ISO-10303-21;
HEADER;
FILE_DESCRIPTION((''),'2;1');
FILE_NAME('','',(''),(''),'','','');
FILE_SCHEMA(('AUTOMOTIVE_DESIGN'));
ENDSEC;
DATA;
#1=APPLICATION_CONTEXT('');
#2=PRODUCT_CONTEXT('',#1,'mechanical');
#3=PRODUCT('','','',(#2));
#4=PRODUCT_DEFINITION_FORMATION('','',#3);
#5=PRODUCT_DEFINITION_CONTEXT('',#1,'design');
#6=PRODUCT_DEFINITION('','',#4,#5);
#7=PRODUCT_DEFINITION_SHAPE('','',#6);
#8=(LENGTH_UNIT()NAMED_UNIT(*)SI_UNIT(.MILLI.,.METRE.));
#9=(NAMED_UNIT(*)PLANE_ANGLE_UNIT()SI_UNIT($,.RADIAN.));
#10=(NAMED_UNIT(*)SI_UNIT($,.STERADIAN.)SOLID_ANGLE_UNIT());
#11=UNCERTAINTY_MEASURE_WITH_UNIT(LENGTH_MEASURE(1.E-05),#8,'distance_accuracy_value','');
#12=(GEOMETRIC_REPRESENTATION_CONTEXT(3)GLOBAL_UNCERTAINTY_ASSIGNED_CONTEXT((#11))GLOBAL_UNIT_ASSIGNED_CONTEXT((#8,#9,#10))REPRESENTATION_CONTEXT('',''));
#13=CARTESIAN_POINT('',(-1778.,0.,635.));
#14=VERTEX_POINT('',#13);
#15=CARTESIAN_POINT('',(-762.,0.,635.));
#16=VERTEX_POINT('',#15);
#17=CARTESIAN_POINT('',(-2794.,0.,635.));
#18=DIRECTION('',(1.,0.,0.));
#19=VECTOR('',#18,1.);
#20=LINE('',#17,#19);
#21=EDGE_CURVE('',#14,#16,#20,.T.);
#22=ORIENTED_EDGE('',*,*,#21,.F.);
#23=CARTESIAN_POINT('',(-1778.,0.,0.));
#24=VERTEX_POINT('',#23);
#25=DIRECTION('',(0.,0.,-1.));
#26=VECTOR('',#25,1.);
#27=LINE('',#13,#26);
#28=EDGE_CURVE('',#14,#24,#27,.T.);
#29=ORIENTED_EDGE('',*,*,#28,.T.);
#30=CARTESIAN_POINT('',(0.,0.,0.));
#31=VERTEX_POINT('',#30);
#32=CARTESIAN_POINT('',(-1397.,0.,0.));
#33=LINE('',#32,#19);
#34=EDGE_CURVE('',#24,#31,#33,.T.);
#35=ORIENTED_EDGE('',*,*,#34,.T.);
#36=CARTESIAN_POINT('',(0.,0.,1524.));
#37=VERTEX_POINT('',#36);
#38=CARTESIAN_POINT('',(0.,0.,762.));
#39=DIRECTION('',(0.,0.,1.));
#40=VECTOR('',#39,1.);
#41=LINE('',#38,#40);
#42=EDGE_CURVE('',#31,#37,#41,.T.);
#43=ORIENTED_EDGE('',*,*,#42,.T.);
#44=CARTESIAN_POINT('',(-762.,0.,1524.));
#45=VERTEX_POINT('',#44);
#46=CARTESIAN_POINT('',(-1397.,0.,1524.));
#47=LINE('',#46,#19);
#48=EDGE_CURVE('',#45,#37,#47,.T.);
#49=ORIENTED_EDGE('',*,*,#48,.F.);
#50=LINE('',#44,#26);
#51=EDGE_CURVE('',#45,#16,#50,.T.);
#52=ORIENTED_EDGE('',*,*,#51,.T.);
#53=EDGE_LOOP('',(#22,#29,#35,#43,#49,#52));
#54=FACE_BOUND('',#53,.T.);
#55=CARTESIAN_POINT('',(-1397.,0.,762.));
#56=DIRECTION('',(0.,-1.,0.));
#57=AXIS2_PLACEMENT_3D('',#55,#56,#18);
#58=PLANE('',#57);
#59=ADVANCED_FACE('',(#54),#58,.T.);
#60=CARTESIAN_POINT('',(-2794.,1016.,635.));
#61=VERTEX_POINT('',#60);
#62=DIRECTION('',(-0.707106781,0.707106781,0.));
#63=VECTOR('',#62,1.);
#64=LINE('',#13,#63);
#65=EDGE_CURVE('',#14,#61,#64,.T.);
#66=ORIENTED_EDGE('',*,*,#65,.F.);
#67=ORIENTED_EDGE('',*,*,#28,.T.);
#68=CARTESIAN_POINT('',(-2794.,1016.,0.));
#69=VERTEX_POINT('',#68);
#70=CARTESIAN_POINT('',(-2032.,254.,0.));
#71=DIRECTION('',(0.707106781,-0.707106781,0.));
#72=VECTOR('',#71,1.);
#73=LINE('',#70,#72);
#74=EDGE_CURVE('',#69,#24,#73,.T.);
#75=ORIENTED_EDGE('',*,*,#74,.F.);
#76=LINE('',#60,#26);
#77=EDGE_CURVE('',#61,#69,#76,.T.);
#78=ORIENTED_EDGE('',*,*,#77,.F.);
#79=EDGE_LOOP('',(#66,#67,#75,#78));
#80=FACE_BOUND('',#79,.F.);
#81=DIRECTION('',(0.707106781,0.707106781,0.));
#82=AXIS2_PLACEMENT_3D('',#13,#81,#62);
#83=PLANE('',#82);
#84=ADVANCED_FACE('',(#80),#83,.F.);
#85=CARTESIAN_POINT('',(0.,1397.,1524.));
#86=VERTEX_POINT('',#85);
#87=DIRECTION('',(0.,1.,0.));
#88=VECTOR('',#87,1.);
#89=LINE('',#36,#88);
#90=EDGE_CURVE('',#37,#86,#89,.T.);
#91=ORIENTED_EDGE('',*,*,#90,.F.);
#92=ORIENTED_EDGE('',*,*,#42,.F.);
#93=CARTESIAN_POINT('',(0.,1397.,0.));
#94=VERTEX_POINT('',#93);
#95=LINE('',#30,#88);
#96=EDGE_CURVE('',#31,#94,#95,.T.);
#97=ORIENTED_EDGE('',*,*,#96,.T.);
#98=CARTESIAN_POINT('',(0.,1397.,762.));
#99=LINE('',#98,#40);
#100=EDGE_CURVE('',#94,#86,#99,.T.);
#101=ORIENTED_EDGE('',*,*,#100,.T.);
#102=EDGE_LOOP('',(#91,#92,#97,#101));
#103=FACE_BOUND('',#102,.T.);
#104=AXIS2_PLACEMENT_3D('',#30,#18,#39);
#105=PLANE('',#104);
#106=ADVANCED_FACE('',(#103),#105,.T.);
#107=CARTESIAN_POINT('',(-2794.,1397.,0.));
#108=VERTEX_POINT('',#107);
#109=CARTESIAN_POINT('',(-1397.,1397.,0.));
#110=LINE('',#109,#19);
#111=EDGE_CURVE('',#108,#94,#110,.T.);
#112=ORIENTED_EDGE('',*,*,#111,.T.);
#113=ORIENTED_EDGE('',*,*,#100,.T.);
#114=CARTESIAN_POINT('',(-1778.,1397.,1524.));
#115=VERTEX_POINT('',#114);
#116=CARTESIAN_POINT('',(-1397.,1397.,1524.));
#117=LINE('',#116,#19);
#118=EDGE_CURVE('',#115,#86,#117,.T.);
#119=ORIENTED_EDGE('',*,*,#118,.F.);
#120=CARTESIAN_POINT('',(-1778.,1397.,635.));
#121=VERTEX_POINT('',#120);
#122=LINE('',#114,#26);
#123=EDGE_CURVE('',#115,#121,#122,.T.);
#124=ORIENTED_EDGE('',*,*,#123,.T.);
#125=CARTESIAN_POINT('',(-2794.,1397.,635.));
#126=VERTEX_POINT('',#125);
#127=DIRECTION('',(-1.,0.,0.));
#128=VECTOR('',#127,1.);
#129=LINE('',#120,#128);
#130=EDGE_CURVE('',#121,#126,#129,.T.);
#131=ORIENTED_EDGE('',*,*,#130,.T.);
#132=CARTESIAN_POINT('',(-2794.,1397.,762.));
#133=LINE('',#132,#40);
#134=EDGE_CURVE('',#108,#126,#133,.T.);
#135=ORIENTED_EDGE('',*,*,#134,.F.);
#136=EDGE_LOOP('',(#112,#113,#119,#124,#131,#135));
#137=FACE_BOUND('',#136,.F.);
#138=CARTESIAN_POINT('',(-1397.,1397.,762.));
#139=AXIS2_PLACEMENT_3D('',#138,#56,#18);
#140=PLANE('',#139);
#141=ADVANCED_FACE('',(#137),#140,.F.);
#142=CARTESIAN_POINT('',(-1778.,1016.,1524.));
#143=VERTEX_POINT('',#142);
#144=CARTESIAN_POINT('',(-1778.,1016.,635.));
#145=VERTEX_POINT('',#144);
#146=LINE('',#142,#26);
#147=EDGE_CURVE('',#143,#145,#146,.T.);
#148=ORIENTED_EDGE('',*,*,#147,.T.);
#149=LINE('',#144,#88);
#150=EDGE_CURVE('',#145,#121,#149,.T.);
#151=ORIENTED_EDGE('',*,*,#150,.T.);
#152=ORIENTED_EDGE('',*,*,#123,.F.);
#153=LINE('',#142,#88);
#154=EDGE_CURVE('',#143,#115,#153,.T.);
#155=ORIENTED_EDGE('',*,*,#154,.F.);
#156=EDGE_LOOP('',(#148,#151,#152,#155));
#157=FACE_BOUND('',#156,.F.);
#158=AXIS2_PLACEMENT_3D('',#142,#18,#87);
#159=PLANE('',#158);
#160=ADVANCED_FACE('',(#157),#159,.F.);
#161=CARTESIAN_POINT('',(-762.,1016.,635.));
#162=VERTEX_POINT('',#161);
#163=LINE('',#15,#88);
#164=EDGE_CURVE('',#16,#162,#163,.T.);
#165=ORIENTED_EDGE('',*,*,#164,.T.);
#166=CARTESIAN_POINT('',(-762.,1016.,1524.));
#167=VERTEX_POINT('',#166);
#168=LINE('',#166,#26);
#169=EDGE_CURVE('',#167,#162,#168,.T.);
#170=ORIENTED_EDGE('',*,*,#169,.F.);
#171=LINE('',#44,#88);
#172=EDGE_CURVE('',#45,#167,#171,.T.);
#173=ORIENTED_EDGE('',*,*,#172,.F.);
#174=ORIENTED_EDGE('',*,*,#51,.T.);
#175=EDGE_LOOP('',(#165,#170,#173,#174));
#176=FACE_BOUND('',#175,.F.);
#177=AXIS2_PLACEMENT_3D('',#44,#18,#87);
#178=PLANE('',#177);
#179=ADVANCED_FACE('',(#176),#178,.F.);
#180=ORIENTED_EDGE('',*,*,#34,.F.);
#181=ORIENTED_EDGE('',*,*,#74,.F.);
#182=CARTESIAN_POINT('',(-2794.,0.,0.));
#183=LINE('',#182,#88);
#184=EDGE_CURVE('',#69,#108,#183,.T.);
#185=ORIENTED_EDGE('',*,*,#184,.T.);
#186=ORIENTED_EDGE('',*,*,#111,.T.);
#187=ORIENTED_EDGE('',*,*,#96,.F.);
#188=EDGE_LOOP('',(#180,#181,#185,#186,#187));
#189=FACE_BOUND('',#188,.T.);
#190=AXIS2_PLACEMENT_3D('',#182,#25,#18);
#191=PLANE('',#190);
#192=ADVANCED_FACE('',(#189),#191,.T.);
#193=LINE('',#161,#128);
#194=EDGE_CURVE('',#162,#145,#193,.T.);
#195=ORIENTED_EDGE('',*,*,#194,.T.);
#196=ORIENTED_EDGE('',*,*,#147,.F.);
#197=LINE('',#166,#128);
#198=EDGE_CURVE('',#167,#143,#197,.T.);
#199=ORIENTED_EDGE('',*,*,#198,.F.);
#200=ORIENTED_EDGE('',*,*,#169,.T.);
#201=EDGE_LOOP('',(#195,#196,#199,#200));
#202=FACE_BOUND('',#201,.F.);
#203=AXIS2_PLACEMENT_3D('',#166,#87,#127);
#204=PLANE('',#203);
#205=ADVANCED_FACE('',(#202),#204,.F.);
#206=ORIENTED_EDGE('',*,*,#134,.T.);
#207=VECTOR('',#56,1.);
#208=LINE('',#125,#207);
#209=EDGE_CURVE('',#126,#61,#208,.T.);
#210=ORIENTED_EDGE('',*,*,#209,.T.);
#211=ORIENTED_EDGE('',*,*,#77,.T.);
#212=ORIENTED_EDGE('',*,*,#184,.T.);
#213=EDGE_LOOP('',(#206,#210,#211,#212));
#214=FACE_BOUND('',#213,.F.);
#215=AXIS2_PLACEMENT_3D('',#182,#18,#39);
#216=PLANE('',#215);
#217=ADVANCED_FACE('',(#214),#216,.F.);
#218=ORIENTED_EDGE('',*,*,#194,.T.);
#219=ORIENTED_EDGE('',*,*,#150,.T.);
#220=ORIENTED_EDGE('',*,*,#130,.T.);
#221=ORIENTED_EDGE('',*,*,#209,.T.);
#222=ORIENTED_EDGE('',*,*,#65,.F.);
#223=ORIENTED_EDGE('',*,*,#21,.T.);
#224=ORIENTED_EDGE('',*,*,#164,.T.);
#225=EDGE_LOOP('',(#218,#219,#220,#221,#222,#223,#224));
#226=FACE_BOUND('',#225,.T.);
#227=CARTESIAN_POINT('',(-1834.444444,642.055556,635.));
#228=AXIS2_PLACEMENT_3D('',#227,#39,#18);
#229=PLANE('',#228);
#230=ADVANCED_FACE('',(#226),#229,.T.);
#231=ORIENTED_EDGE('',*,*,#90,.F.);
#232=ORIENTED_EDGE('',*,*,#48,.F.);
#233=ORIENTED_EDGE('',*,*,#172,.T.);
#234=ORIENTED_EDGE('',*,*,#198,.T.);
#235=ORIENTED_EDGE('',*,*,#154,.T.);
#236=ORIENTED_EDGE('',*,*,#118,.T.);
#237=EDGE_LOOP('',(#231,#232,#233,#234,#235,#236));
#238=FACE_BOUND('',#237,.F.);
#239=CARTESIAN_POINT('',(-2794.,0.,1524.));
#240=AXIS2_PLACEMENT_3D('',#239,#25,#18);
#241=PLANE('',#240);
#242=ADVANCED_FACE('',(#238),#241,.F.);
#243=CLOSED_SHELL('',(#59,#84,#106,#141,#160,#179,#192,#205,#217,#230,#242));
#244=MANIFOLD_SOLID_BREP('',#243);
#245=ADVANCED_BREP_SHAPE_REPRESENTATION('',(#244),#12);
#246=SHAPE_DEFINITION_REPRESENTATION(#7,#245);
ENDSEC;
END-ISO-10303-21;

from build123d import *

# Parameters (mm, degrees)
F0_W     = 2794
F0_H     = 1524
F1_DEPTH = 1397
F3_DEPTH = 889
F5_DEPTH = 1270


with BuildPart() as f1:
    # F0 (on Front) → F1 (new body)
    with BuildSketch(Plane.XZ):
        with Locations((-1397, 762)):
            Rectangle(F0_W, F0_H)
    extrude(amount=-F1_DEPTH)

    # F2 (on face) → F3 (cut)
    with BuildSketch(Plane.XY.offset(1524)):
        Polygon((-1778, 1016), (-1778, 1397), (-2794, 1397), (-2794, 0), (-762, 0), (-762, 1016), align=None)
    extrude(amount=-F3_DEPTH, mode=Mode.SUBTRACT)

    # F4 (on face) → F5 (cut)
    with BuildSketch(Plane.XY.offset(635)):
        Polygon((-1778, 0), (-2794, 1016), (-2794, 0), align=None)
    extrude(amount=-F5_DEPTH, mode=Mode.SUBTRACT)


solid = f1.part
